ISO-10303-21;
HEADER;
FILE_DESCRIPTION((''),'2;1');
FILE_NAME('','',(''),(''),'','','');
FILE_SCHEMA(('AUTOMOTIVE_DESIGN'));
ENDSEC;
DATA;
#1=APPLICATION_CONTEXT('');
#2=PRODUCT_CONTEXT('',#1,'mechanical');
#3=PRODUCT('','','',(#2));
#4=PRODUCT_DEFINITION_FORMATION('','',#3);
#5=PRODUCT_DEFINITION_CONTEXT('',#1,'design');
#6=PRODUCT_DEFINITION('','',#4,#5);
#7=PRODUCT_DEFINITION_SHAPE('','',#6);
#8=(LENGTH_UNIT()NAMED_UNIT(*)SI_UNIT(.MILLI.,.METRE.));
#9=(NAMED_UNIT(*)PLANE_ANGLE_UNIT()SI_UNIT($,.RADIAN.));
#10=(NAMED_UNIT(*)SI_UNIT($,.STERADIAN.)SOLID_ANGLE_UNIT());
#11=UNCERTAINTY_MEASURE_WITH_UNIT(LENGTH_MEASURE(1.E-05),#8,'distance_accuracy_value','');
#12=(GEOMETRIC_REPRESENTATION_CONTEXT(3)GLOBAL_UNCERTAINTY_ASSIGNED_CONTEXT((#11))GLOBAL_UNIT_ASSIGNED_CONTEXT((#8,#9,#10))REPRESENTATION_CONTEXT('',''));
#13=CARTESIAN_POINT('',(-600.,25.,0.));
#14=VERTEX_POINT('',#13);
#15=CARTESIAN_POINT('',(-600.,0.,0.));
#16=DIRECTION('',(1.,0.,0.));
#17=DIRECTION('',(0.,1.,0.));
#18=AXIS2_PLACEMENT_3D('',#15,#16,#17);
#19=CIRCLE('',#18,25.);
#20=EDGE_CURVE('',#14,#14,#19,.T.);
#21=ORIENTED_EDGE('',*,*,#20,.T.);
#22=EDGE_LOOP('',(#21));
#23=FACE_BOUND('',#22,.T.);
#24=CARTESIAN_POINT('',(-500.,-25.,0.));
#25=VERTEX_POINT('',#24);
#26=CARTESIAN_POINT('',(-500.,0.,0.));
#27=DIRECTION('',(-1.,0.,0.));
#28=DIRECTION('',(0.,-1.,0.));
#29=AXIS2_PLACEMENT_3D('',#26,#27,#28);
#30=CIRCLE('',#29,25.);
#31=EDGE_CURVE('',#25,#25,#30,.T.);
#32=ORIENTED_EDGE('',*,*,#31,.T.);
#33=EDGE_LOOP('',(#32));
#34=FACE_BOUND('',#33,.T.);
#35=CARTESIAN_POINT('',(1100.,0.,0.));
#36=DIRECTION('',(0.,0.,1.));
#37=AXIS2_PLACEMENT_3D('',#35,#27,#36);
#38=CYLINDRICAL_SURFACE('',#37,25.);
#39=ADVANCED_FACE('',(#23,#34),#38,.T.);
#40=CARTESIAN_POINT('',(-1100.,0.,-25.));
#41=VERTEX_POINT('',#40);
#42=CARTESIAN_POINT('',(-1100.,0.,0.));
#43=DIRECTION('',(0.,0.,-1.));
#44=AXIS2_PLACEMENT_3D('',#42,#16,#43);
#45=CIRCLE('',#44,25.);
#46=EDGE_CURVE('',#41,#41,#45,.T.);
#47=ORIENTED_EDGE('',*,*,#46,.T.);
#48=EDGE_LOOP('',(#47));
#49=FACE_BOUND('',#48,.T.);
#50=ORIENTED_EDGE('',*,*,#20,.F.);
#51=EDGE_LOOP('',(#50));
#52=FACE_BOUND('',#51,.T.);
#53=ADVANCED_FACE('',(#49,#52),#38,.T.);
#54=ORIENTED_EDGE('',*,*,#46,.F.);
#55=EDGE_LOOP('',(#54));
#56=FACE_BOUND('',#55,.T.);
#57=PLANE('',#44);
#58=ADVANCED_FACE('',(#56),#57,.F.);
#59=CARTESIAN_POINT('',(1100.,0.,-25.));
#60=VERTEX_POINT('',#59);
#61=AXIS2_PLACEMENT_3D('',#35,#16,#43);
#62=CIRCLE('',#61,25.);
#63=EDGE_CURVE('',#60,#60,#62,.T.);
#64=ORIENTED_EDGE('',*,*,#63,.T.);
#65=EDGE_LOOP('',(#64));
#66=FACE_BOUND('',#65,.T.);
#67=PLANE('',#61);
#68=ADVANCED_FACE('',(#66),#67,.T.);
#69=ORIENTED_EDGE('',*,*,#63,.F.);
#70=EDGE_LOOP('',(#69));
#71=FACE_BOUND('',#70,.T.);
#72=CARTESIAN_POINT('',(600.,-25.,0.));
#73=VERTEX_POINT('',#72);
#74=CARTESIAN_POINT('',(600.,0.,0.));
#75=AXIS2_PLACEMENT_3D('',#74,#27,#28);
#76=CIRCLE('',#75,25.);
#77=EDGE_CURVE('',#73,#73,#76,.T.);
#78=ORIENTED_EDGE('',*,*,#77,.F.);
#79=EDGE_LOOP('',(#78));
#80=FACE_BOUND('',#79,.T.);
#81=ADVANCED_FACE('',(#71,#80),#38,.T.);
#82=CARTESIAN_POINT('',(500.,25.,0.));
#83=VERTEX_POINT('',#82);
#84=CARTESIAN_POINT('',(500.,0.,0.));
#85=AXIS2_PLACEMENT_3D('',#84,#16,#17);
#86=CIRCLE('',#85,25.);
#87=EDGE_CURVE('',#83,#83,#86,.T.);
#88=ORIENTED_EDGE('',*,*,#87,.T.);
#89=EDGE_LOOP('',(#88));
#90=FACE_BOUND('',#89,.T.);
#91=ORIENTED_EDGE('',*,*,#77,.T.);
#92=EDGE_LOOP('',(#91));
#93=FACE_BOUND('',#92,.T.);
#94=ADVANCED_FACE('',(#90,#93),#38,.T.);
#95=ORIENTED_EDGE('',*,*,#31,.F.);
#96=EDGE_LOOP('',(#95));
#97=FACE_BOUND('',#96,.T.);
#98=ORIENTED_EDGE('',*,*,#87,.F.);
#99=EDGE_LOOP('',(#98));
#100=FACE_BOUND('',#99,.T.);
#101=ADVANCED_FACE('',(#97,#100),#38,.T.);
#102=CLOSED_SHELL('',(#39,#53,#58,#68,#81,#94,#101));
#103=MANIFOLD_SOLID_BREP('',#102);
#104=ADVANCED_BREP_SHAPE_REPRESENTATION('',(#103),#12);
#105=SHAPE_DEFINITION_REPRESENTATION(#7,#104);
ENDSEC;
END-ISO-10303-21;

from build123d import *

# Parameters (mm, degrees)
SKETCH_1_R      = 25
EXTRUDE_1_DEPTH = 1100


with BuildPart() as part:
    # 草图1 → 凸台-拉伸1 (new, symmetric)
    with BuildSketch(Plane(origin=(0, 0, 0), x_dir=(0, 0, -1), z_dir=(1, 0, 0))):
        Circle(SKETCH_1_R)
    extrude(amount=EXTRUDE_1_DEPTH, both=True)


solid = part.part
